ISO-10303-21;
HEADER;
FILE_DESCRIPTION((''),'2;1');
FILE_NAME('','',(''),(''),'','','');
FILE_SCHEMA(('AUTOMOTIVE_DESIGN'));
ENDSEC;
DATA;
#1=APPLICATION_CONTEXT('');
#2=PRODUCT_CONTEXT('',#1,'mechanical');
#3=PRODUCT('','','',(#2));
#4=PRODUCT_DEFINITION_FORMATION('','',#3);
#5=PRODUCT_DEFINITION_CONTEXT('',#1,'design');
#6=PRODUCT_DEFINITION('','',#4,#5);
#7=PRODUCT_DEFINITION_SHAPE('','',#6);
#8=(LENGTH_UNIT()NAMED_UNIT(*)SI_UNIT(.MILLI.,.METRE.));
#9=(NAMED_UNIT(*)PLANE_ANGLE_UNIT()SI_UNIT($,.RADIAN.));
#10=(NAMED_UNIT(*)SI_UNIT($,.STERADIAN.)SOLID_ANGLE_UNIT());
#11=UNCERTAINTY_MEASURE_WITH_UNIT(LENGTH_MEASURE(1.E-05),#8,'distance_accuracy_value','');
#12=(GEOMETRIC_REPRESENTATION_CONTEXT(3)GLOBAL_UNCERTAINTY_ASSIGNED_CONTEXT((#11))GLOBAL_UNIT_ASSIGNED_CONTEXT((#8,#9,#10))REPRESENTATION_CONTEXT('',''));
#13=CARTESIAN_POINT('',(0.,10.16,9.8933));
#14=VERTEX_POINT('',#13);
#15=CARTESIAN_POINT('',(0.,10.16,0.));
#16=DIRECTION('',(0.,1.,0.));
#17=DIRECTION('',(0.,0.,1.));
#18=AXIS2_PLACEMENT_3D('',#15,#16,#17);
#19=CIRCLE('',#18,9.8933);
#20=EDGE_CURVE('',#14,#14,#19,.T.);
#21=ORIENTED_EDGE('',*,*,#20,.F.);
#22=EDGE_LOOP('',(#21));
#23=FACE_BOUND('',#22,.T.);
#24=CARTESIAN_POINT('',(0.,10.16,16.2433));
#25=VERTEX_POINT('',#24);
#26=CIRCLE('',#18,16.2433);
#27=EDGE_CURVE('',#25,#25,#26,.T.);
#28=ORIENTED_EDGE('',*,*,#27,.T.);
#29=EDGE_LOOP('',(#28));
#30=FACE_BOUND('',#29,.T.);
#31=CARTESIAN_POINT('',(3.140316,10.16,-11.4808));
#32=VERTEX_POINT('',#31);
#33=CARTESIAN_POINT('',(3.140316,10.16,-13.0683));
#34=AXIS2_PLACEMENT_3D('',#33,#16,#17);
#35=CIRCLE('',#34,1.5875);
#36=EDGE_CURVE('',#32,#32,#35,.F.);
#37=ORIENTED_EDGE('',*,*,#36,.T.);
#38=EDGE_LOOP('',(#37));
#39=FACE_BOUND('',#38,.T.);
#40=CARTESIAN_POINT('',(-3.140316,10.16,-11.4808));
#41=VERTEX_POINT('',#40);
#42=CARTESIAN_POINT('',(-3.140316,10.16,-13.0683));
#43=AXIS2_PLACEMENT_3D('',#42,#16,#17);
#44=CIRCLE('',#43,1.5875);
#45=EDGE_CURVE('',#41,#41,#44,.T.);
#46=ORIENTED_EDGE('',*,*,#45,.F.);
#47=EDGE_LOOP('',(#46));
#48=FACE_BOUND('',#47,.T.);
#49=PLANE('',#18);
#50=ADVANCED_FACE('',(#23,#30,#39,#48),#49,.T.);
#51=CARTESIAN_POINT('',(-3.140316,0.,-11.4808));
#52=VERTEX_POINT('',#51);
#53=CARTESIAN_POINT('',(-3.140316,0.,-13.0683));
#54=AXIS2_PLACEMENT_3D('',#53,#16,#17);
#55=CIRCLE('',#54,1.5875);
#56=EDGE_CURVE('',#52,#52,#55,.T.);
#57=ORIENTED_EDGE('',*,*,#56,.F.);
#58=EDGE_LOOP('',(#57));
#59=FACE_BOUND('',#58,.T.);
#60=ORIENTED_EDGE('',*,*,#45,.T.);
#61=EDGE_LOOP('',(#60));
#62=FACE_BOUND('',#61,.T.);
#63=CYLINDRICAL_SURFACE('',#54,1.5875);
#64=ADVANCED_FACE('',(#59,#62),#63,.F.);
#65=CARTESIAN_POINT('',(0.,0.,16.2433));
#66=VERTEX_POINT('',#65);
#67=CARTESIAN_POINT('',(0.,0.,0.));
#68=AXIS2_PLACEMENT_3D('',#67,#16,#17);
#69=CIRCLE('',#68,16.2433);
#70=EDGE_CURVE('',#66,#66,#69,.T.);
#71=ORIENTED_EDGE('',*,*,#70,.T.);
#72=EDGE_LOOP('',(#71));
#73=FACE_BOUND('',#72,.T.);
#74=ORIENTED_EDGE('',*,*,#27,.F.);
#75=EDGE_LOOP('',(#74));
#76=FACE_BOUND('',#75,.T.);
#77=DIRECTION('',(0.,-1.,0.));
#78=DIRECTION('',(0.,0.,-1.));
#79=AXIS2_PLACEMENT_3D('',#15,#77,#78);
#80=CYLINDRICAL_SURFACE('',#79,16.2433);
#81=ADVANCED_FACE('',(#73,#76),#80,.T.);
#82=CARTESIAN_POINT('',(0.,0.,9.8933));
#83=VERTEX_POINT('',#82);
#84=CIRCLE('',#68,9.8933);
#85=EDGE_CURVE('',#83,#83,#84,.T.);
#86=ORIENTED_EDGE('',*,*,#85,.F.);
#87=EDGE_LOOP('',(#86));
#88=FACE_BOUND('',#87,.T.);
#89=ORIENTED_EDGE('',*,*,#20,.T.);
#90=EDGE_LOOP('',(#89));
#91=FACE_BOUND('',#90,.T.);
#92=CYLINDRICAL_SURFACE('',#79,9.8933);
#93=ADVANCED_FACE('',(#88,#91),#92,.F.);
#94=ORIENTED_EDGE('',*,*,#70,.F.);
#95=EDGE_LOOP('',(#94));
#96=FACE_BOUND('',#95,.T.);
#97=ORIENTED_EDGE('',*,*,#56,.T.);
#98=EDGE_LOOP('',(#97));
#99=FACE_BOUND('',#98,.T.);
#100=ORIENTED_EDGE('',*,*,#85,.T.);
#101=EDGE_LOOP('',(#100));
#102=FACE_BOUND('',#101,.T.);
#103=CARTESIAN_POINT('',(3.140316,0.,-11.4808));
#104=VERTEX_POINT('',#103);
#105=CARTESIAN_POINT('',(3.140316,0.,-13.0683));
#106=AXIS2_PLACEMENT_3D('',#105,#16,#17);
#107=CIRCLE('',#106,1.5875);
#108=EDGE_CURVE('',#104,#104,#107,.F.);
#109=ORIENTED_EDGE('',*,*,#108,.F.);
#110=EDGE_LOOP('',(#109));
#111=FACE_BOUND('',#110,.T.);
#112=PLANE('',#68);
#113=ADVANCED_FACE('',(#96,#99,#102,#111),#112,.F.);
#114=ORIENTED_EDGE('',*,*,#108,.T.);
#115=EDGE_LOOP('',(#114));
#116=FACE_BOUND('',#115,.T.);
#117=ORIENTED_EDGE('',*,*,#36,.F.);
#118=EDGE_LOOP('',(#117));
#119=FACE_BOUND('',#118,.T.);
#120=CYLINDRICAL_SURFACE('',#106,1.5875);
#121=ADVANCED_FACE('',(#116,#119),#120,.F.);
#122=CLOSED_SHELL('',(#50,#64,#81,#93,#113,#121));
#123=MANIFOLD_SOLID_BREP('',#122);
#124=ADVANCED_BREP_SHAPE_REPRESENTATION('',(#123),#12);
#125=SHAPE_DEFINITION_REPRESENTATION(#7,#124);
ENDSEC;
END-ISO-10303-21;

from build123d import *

# Parameters (mm, degrees)
SKETCH1_R           = 16.2433
SKETCH1_R_2         = 9.8933
BOSS_EXTRUDE1_DEPTH = 10.16
SKETCH2_R           = 1.5875
CUT_EXTRUDE2_DEPTH  = 11.16


with BuildPart() as part:
    # Sketch1 → Boss-Extrude1 (new body)
    with BuildSketch(Plane(origin=(0, 0, 0), x_dir=(1, 0, 0), z_dir=(0, 1, 0))):
        Circle(SKETCH1_R)
        Circle(SKETCH1_R_2, mode=Mode.SUBTRACT)
    extrude(amount=BOSS_EXTRUDE1_DEPTH)

    # Sketch2 → Cut-Extrude2 (cut, through all)
    with BuildSketch(Plane(origin=(0, 10.16, 0), x_dir=(1, 0, 0), z_dir=(0, 1, 0))):
        with Locations((-3.140315604, 13.0683)):
            Circle(SKETCH2_R)
        with Locations((3.140315604, 13.0683)):
            Circle(SKETCH2_R)
    extrude(amount=-CUT_EXTRUDE2_DEPTH, mode=Mode.SUBTRACT)


solid = part.part
